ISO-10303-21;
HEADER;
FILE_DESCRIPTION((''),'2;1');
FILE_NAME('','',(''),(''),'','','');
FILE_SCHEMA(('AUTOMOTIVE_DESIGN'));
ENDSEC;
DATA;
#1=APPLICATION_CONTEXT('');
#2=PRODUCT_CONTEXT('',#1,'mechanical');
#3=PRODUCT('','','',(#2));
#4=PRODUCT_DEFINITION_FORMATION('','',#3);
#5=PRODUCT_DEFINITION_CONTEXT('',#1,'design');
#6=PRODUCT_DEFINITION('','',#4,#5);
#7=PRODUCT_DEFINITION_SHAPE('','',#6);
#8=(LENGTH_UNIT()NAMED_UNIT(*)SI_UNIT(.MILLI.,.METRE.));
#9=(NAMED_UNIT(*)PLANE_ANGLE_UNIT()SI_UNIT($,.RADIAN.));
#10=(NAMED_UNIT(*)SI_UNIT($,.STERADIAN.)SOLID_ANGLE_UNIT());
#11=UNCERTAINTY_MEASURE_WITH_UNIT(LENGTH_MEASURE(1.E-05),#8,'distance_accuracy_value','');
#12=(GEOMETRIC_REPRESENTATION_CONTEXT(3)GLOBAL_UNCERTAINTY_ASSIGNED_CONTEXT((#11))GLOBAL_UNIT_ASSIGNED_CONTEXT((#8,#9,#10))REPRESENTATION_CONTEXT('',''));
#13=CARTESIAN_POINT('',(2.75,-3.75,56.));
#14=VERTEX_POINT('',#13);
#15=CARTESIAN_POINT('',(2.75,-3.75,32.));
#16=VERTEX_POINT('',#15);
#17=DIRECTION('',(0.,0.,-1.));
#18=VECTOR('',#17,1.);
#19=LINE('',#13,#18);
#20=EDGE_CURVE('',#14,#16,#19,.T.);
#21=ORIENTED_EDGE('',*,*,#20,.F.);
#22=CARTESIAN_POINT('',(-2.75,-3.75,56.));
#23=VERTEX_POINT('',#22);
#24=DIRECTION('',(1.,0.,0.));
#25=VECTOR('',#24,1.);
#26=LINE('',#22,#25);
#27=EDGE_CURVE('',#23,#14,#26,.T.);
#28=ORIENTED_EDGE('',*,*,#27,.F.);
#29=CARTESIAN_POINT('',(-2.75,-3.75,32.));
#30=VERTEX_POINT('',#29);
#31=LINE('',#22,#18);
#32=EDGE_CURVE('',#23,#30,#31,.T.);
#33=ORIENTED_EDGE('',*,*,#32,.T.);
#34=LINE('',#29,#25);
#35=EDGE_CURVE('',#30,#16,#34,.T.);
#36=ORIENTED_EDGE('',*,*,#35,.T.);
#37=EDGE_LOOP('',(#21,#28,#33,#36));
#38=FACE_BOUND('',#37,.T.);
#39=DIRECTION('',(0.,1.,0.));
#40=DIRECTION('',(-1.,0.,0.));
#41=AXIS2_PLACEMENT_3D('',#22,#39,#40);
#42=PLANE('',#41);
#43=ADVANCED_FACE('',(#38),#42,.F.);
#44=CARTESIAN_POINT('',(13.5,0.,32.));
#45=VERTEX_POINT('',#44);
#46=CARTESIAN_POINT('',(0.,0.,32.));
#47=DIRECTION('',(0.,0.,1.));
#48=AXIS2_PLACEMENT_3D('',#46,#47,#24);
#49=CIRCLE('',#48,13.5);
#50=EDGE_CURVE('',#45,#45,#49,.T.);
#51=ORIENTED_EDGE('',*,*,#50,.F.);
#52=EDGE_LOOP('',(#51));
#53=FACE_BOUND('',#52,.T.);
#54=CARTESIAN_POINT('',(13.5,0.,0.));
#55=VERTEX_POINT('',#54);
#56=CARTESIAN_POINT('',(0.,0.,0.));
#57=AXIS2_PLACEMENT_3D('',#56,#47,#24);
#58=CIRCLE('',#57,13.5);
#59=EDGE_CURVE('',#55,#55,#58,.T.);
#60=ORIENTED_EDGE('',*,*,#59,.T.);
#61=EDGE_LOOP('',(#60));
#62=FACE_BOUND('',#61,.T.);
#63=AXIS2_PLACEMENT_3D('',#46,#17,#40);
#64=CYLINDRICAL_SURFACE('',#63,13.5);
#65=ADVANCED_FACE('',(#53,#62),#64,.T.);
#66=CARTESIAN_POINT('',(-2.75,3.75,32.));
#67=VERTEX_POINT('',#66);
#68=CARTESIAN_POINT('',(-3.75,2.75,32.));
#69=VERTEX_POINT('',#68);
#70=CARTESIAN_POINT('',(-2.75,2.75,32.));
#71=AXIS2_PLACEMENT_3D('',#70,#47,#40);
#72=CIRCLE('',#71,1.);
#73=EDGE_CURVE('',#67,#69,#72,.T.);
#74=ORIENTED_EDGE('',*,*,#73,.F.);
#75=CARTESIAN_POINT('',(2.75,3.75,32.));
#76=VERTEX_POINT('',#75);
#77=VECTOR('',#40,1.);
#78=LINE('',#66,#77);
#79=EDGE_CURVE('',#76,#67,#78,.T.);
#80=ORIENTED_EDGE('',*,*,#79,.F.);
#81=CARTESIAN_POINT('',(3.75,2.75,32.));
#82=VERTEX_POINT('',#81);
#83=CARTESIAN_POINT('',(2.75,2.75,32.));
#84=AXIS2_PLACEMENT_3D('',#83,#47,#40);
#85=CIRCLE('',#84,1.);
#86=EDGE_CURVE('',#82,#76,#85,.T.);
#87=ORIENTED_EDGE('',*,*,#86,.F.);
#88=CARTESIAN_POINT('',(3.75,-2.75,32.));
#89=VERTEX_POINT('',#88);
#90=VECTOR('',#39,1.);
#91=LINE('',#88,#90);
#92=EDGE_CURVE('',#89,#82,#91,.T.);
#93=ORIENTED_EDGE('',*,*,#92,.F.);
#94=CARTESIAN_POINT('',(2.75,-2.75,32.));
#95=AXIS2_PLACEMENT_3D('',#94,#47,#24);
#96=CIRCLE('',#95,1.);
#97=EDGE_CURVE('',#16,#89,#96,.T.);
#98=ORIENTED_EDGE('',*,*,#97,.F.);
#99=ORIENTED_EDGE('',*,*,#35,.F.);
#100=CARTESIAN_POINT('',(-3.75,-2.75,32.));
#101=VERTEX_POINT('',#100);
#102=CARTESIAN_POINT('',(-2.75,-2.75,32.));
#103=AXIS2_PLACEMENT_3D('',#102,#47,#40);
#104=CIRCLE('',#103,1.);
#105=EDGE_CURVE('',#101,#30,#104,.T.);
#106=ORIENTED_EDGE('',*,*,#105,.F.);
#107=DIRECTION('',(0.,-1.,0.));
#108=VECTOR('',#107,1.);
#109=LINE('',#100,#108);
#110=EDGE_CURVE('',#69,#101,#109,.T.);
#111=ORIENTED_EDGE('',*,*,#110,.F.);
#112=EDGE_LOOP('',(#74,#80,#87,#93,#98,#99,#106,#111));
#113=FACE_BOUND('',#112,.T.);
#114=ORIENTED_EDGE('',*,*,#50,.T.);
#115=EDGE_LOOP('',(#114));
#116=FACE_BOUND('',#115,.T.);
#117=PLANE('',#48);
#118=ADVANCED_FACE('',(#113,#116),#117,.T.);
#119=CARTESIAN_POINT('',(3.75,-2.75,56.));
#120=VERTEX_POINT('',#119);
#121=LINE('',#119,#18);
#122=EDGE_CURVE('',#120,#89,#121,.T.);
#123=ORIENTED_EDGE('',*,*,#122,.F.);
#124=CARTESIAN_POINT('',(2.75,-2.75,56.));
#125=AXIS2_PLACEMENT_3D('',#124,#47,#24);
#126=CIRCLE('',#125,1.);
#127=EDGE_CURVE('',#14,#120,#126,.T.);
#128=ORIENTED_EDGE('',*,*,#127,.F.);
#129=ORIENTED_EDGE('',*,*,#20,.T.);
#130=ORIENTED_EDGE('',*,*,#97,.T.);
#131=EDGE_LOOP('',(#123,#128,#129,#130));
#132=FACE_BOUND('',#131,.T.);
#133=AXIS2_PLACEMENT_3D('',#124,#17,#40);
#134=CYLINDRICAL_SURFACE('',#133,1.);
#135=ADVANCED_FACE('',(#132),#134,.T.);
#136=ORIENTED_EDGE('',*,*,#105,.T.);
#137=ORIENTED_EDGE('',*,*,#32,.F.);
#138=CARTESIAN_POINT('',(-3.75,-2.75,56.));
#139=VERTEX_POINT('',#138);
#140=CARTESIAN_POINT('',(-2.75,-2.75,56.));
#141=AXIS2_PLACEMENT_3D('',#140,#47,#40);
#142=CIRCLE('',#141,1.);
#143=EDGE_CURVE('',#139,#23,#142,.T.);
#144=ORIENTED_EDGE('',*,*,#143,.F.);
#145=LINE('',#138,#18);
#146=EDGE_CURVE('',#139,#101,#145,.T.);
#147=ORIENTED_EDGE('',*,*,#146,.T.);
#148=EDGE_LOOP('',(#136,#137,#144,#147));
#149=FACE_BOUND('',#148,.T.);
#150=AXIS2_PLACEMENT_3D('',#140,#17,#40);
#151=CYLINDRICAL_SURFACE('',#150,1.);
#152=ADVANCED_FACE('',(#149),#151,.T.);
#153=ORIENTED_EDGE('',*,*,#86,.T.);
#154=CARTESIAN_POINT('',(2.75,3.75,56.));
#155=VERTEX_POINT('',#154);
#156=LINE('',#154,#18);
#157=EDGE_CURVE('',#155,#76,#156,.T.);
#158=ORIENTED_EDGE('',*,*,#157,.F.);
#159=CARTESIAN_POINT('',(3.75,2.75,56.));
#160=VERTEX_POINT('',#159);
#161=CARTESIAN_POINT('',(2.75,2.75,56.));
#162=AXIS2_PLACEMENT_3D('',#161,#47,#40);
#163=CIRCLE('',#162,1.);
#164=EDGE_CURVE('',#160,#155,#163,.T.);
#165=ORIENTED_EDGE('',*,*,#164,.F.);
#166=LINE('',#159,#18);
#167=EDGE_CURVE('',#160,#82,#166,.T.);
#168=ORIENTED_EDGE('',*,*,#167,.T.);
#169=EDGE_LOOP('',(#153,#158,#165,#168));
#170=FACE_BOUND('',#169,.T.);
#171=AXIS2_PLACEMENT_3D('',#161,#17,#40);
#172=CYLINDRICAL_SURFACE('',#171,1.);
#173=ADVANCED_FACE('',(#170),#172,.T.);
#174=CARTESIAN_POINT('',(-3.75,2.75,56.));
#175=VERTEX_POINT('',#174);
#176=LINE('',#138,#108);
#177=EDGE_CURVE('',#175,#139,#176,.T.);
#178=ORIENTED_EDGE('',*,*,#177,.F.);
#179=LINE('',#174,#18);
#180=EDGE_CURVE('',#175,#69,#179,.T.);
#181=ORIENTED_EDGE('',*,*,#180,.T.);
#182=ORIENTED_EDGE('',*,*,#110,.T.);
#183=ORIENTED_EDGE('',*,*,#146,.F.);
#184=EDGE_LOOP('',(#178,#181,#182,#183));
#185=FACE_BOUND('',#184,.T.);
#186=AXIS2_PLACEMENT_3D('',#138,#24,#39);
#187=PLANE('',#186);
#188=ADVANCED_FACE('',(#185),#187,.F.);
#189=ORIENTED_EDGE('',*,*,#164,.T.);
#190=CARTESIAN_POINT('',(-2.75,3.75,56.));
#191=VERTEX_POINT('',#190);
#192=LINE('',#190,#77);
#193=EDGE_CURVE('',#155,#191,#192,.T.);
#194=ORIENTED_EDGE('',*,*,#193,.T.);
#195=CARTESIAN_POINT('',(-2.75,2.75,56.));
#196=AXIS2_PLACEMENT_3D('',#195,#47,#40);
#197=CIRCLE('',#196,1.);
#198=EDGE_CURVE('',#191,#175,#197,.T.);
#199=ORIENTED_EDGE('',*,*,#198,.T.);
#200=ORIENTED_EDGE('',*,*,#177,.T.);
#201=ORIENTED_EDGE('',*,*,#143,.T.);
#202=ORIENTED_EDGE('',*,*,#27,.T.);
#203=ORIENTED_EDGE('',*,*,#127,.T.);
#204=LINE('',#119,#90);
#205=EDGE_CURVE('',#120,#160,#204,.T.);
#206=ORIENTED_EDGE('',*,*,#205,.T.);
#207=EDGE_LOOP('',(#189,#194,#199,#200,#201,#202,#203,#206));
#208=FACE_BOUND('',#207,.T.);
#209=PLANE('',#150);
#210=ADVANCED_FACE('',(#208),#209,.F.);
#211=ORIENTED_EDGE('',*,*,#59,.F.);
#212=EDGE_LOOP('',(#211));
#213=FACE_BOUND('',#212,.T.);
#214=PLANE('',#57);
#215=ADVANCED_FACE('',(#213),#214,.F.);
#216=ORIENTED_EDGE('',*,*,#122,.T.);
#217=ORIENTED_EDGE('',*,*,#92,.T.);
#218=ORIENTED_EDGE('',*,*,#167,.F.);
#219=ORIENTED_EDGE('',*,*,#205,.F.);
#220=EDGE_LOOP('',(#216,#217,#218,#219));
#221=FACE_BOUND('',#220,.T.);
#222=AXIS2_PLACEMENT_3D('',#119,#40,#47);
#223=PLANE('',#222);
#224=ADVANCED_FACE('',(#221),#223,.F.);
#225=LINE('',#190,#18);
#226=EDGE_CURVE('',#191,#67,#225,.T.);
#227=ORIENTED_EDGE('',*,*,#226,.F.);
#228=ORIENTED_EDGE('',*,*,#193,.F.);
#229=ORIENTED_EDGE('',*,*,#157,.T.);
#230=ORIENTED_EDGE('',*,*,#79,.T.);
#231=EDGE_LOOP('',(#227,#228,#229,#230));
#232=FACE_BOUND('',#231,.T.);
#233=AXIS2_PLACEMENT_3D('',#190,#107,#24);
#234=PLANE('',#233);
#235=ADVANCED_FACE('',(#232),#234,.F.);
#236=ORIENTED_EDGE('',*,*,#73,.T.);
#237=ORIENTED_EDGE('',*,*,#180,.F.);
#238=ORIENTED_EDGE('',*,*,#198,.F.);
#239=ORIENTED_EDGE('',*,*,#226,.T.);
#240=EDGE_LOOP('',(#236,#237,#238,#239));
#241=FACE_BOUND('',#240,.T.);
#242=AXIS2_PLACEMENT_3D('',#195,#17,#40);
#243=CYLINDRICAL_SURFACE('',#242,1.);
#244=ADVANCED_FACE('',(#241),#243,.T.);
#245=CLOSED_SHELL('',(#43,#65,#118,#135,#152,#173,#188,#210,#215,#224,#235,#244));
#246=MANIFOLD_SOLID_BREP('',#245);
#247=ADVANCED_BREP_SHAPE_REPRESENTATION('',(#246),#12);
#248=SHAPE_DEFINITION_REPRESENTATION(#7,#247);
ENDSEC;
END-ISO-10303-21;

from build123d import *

# Parameters (mm, degrees)
SKETCH1_R           = 13.5
BOSS_EXTRUDE1_DEPTH = 32
BOSS_EXTRUDE2_DEPTH = 24


with BuildPart() as part:
    # Sketch1 → Boss-Extrude1 (new body)
    with BuildSketch(Plane.XY):
        Circle(SKETCH1_R)
    extrude(amount=BOSS_EXTRUDE1_DEPTH)

    # Sketch2 → Boss-Extrude2 (add)
    with BuildSketch(Plane.XY.offset(32)):
        with BuildLine():
            Line((-2.75, -3.75), (2.75, -3.75))
            ThreePointArc((2.75, -3.75), (3.457106781, -3.457106781), (3.75, -2.75))
            Line((3.75, -2.75), (3.75, 2.75))
            ThreePointArc((3.75, 2.75), (3.457106781, 3.457106781), (2.75, 3.75))
            Line((2.75, 3.75), (-2.75, 3.75))
            ThreePointArc((-2.75, 3.75), (-3.457106781, 3.457106781), (-3.75, 2.75))
            Line((-3.75, 2.75), (-3.75, -2.75))
            ThreePointArc((-3.75, -2.75), (-3.457106781, -3.457106781), (-2.75, -3.75))
        make_face()
    extrude(amount=BOSS_EXTRUDE2_DEPTH)


solid = part.part
